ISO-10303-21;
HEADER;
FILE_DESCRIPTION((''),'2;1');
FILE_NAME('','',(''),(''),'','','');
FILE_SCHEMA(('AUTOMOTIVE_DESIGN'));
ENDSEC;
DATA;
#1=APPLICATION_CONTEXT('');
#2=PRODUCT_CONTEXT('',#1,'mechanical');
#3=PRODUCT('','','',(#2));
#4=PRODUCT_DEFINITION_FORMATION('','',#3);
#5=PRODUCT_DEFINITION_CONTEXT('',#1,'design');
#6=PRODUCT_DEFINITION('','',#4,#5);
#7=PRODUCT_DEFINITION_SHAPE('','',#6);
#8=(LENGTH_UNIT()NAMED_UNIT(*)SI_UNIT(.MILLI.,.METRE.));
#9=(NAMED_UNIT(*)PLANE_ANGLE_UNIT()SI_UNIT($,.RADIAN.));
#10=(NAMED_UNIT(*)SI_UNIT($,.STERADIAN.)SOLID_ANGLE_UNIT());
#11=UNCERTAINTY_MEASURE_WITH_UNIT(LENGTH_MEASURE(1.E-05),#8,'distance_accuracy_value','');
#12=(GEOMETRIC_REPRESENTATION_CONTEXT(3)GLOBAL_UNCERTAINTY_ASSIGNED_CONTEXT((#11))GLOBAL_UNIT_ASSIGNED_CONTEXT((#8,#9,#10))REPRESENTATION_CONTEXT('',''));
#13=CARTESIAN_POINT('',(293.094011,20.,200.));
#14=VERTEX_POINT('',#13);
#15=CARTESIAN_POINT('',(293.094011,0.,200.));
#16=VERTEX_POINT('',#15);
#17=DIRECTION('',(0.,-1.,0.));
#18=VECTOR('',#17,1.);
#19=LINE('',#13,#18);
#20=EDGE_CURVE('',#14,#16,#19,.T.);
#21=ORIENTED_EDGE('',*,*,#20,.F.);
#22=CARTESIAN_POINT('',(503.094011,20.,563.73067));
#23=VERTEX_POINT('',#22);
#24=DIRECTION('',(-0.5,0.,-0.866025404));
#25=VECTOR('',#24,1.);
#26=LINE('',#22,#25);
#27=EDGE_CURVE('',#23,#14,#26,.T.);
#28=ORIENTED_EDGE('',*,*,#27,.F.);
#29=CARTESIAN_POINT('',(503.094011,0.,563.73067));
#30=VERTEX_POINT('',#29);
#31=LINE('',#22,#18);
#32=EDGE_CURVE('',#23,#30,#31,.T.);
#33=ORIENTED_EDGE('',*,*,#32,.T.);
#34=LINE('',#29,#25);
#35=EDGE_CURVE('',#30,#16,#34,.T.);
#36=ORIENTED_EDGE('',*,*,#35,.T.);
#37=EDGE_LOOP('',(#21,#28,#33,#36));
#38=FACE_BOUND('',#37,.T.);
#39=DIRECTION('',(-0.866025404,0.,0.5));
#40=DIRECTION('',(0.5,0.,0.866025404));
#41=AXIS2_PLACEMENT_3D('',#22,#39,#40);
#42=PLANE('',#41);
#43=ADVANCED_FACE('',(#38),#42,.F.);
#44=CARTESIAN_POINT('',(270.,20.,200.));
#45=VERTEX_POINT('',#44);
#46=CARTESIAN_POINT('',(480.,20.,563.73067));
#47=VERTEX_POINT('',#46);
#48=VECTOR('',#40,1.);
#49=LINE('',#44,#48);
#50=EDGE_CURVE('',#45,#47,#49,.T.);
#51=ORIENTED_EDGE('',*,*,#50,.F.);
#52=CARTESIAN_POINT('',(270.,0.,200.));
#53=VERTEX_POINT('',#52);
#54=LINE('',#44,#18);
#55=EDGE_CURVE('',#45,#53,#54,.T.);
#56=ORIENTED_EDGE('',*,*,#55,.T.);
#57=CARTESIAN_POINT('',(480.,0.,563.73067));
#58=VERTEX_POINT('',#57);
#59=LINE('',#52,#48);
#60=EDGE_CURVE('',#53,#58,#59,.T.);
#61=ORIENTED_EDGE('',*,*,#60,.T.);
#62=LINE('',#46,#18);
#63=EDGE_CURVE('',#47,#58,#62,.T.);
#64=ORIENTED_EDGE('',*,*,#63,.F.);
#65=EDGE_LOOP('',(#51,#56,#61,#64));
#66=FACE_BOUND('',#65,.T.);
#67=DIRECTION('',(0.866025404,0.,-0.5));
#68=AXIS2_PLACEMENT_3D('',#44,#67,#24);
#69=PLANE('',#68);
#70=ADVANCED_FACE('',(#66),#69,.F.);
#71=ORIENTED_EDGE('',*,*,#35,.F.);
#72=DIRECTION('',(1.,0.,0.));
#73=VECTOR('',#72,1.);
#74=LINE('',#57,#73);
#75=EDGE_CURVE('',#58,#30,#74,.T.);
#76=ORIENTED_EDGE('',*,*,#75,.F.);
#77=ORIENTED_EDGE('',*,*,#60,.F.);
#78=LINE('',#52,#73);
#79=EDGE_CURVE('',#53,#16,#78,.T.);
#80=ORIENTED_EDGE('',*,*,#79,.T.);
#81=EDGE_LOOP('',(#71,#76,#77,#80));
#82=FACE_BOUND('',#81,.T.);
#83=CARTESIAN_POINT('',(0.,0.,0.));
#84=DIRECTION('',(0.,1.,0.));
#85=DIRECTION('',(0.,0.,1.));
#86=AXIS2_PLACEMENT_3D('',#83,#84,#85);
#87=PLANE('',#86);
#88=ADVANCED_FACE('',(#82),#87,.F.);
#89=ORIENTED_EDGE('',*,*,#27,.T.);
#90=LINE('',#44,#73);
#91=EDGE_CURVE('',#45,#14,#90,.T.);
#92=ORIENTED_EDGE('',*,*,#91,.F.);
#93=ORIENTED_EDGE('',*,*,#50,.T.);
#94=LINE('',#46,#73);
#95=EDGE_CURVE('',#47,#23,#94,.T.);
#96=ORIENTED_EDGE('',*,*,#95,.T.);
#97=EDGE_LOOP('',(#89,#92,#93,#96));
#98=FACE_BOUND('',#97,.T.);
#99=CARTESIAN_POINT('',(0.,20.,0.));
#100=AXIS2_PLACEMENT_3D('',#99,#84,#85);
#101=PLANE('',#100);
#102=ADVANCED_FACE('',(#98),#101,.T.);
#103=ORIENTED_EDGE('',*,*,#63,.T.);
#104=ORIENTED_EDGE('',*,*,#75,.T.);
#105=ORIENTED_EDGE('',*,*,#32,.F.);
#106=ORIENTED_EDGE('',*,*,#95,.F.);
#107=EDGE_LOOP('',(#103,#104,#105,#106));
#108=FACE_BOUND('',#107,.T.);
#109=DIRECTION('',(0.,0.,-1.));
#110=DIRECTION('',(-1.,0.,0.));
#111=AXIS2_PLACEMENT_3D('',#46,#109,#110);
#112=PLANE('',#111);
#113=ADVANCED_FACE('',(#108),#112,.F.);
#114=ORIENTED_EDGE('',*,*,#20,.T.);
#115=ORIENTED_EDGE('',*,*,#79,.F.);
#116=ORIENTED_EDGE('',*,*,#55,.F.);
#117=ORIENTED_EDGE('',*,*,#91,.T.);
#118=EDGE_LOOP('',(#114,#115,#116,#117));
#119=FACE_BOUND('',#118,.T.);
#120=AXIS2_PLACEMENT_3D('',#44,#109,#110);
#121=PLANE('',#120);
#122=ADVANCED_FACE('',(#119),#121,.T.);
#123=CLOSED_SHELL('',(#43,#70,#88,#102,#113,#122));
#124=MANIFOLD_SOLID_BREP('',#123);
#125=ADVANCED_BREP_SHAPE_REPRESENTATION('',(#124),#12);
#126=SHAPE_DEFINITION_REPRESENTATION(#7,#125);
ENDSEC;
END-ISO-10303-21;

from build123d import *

# Parameters (mm, degrees)
EXTRUDE_1_DEPTH = 20


with BuildPart() as part:
    # 草图1 → 凸台-拉伸1 (new body)
    with BuildSketch(Plane(origin=(0, 0, 0), x_dir=(1, 0, 0), z_dir=(0, 1, 0))):
        Polygon((270, -200), (480, -563.730669589), (503.094010768, -563.730669589), (293.094010768, -200), align=None)
    extrude(amount=EXTRUDE_1_DEPTH)


solid = part.part
